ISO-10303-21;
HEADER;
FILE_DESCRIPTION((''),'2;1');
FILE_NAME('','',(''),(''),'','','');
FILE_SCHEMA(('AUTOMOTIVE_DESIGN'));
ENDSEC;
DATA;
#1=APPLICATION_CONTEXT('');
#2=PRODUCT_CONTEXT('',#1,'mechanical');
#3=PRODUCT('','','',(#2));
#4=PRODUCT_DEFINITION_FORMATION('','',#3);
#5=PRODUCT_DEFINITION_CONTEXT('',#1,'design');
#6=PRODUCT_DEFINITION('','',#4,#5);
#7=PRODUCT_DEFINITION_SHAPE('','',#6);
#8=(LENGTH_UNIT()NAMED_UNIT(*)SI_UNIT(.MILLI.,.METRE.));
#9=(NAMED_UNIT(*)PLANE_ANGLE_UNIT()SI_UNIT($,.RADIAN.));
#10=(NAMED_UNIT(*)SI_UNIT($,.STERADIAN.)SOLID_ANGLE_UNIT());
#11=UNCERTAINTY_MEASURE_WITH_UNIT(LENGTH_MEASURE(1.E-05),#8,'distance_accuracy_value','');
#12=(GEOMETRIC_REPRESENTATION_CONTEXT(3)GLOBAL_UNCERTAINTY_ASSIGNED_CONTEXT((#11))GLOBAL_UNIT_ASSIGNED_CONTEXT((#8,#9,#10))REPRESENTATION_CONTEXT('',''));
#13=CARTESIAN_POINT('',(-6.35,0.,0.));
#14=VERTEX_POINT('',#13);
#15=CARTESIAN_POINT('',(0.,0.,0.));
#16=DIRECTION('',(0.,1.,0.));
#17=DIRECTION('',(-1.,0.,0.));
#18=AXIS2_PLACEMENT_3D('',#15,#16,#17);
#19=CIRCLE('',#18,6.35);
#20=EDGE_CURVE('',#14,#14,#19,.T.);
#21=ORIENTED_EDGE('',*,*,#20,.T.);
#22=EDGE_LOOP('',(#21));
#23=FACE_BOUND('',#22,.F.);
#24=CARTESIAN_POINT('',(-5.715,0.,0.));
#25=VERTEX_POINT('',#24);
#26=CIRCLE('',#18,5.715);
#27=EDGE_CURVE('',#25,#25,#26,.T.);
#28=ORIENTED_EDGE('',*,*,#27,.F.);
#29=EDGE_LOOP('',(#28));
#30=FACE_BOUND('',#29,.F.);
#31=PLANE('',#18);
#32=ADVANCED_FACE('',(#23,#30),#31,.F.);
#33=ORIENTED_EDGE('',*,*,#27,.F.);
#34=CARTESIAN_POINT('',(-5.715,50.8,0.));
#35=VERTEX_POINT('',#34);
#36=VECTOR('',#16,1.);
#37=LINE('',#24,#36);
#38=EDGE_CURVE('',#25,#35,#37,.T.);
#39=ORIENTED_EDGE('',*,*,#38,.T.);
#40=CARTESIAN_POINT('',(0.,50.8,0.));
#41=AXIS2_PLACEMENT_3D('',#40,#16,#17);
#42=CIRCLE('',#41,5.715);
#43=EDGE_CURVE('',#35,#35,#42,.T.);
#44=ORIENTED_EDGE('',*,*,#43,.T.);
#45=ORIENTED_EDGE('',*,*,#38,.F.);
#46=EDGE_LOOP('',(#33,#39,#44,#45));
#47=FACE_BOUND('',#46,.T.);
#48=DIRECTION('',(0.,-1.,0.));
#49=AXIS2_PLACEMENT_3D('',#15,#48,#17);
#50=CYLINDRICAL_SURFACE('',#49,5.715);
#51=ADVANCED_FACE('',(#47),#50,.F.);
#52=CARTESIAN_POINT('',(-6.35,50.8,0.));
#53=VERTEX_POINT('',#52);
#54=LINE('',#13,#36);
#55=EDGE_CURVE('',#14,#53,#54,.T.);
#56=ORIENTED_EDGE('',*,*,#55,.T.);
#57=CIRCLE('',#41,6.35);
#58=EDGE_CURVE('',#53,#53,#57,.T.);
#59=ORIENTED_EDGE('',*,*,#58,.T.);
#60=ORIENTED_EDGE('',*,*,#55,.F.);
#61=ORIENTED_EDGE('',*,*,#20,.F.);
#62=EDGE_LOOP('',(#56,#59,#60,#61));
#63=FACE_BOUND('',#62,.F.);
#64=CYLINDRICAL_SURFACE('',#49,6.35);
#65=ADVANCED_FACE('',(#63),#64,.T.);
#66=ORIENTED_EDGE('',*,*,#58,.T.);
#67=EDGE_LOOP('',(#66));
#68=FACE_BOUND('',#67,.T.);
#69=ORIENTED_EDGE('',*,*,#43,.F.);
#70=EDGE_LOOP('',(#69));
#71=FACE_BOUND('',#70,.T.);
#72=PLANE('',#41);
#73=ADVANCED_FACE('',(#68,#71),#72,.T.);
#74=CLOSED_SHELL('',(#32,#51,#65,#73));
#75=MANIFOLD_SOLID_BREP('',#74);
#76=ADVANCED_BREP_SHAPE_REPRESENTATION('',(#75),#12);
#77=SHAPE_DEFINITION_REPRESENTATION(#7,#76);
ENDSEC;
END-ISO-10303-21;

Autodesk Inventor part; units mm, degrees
ref_plane "YZ Plane" through (0, 0, 0) normal (1, 0, 0) x (0, 1, 0)
ref_plane "XZ Plane" through (0, 0, 0) normal (0, 1, 0) x (-1, 0, 0)
ref_plane "XY Plane" through (0, 0, 0) normal (0, 0, 1) x (1, 0, 0)
sketch "Sketch1" plane through (0, 0, 0) normal (0, 1, 0) x (-1, 0, 0)
  circle A0 centre (0, 0) radius 6.35
  circle A1 centre (0, 0) radius 5.715
  dimension "d0" = 12.7
  dimension "d1" = 0.635
extrude "Extrusion1" add sketch "Sketch1" along normal blind 50.8
properties part number "0in5 ss pipe" material "Stainless Steel"
